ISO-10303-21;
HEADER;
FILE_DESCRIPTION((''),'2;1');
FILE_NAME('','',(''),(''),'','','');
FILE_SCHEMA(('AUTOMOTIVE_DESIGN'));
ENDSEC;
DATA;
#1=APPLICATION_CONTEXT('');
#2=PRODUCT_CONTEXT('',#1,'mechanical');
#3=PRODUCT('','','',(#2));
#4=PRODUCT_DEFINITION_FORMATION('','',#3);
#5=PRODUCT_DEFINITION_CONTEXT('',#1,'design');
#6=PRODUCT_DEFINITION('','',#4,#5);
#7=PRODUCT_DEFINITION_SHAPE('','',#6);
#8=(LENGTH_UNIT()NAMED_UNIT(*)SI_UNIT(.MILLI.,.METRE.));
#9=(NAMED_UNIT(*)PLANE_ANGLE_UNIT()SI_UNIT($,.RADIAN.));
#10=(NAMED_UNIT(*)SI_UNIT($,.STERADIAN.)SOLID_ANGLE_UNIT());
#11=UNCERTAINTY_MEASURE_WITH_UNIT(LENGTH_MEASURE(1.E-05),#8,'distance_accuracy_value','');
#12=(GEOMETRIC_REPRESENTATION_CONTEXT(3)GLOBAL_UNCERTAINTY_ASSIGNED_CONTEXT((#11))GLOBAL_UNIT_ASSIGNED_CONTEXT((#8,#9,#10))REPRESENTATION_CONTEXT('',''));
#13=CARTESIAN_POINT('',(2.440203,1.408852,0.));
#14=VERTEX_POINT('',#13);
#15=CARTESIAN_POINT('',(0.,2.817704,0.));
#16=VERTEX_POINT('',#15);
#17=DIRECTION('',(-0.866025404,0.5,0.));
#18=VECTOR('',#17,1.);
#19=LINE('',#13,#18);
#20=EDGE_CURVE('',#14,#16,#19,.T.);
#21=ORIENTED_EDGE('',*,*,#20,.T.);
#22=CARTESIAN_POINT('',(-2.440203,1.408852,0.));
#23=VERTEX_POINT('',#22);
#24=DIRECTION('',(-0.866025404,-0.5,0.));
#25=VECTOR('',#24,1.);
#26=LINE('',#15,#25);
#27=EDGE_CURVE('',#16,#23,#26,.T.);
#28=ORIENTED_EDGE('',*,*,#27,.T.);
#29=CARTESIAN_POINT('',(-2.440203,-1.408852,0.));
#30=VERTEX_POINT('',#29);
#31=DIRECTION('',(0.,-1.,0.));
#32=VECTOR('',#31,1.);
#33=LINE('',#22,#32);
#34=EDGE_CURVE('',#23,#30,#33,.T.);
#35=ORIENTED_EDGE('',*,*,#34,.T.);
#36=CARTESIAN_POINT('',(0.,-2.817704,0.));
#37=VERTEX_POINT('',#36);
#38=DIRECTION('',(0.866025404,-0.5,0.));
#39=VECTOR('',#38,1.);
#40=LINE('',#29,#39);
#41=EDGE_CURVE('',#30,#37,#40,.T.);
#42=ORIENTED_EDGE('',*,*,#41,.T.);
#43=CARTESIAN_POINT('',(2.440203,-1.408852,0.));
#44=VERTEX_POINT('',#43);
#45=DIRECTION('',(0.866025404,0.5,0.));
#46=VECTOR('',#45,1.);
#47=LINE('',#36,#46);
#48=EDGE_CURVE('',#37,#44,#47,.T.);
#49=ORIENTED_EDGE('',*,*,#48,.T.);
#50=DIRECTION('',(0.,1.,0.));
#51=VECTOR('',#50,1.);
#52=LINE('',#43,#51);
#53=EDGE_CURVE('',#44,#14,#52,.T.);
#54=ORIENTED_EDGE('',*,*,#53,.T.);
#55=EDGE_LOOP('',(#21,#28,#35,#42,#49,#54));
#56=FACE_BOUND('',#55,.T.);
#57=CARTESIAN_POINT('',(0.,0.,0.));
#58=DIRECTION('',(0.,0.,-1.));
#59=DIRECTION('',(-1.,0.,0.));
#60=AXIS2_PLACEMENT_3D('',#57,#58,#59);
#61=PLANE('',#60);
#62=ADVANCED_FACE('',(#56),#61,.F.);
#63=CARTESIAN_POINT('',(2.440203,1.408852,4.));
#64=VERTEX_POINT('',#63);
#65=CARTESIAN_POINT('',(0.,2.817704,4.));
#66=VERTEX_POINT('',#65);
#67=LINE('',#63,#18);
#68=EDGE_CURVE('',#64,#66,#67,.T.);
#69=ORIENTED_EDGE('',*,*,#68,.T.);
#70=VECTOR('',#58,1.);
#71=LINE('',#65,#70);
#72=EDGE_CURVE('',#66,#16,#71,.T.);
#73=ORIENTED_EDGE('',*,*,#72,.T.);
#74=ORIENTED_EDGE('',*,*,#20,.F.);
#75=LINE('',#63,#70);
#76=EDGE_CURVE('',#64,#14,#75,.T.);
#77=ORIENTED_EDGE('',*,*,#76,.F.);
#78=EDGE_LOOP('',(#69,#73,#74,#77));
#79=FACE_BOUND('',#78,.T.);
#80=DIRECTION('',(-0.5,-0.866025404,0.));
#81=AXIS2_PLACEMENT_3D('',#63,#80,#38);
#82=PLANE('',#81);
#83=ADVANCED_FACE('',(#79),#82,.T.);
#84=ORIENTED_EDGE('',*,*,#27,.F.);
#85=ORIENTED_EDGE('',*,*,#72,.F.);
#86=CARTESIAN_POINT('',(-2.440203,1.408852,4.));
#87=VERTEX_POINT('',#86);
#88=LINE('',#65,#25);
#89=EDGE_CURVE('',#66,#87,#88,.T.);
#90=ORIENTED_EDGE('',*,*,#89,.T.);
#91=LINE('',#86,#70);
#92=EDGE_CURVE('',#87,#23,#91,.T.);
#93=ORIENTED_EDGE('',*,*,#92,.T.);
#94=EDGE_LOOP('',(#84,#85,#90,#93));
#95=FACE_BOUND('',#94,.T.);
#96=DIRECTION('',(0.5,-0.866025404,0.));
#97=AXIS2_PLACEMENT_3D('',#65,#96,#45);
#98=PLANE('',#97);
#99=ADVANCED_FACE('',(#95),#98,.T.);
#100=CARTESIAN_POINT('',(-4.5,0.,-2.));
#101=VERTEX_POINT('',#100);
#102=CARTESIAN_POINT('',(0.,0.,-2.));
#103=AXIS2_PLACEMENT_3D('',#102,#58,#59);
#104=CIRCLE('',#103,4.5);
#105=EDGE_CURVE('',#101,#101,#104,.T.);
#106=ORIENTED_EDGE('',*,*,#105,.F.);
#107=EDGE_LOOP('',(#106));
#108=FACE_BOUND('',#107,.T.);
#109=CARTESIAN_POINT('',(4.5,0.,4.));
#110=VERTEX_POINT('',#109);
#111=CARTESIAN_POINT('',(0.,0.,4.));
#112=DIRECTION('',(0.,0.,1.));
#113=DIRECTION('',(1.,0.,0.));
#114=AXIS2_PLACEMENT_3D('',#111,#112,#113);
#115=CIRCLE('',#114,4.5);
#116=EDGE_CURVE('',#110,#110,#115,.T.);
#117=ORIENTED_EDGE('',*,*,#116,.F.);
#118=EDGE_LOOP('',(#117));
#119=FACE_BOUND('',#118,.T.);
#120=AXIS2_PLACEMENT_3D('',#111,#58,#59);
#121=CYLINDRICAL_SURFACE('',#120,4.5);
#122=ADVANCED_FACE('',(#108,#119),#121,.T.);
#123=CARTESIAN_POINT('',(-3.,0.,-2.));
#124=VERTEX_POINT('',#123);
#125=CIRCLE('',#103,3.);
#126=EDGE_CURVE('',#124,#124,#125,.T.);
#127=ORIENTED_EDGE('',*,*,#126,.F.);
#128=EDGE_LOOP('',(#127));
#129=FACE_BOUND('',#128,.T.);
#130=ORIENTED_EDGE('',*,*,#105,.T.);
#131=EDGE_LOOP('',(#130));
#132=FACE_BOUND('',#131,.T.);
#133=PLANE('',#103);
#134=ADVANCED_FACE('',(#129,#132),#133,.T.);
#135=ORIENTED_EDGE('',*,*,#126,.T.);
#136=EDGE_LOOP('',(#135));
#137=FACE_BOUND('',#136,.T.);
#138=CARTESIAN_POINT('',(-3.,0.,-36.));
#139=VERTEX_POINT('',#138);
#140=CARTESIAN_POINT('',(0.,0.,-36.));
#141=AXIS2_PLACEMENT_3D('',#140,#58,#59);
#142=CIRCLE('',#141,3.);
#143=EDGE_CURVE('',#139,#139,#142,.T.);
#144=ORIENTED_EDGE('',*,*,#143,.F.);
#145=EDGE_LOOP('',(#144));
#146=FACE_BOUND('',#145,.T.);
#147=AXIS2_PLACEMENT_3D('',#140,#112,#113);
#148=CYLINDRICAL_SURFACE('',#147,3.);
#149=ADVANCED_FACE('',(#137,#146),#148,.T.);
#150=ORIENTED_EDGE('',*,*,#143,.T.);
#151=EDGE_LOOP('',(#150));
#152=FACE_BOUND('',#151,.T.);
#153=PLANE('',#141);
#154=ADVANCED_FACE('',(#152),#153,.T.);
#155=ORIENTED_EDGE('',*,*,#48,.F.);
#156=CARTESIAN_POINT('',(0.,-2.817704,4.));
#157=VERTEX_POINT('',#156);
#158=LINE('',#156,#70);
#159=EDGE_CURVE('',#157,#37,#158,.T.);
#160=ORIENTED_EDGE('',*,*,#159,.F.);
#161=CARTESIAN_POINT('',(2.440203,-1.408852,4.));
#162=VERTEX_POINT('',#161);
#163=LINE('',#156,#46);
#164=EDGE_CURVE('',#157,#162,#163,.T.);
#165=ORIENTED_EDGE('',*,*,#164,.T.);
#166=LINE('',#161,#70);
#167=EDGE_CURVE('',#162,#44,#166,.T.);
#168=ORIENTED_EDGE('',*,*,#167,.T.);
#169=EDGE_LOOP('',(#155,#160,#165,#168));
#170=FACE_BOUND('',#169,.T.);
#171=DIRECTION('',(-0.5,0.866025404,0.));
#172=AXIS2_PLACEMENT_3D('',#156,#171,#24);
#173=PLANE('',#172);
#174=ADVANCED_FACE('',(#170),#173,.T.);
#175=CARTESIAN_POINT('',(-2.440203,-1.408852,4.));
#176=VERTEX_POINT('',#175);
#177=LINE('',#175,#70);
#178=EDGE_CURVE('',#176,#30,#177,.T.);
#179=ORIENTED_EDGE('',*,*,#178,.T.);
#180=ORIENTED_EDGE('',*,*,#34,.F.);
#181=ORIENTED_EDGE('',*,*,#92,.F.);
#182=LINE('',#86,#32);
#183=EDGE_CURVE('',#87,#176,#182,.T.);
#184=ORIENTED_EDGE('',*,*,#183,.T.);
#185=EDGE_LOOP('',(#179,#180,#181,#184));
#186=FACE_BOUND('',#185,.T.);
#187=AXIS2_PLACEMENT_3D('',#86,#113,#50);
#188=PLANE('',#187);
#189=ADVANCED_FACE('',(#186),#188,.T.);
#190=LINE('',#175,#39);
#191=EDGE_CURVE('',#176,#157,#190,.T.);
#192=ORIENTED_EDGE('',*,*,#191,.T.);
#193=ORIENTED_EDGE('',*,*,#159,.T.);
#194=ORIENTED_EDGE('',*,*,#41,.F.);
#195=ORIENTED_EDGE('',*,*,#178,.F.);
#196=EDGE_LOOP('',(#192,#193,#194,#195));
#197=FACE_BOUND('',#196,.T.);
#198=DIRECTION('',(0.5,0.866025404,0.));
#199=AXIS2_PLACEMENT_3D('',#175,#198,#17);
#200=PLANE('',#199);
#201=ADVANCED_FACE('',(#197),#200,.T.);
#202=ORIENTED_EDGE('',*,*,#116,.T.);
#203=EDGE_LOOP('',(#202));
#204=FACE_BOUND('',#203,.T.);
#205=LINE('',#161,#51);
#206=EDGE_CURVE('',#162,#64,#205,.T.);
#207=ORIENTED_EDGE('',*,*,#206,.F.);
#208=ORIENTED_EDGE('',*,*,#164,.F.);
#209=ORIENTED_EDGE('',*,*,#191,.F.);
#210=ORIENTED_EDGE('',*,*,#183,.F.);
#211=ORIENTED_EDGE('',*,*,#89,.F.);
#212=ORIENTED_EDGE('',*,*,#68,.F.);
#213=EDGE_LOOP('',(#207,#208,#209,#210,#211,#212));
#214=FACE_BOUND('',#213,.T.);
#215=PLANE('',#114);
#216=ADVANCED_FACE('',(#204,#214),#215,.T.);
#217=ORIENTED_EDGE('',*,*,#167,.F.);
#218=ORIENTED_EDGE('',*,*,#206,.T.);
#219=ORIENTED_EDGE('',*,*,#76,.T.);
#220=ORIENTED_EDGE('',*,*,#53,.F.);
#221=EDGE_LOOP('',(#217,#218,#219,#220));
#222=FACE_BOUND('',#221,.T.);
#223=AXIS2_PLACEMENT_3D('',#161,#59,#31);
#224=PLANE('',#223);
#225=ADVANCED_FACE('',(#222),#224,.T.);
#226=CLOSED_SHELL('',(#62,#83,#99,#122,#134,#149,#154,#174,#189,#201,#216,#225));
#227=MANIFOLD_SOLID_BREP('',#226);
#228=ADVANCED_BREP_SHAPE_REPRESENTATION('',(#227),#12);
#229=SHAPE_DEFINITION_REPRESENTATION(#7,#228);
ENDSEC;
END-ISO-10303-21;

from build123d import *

# Parameters (mm, degrees)
SKETCH1_R           = 4.5
BOSS_EXTRUDE1_DEPTH = 4
SKETCH2_R           = 4.5
BOSS_EXTRUDE2_DEPTH = 2
SKETCH3_R           = 3
BOSS_EXTRUDE3_DEPTH = 34


with BuildPart() as part:
    # Sketch1 → Boss-Extrude1 (new body)
    with BuildSketch(Plane.XY):
        Circle(SKETCH1_R)
        Polygon((0, 2.817703613), (-2.440202909, 1.408851806), (-2.440202909, -1.408851806), (0, -2.817703613), (2.440202909, -1.408851806), (2.440202909, 1.408851806), align=None, mode=Mode.SUBTRACT)
    extrude(amount=BOSS_EXTRUDE1_DEPTH)

    # Sketch2 → Boss-Extrude2 (add)
    with BuildSketch(Plane(origin=(0, 0, 0), x_dir=(-1, 0, 0), z_dir=(0, 0, -1))):
        Circle(SKETCH2_R)
    extrude(amount=BOSS_EXTRUDE2_DEPTH)

    # Sketch3 → Boss-Extrude3 (add)
    with BuildSketch(Plane(origin=(0, 0, -2), x_dir=(-1, 0, 0), z_dir=(0, 0, -1))):
        Circle(SKETCH3_R)
    extrude(amount=BOSS_EXTRUDE3_DEPTH)


solid = part.part
